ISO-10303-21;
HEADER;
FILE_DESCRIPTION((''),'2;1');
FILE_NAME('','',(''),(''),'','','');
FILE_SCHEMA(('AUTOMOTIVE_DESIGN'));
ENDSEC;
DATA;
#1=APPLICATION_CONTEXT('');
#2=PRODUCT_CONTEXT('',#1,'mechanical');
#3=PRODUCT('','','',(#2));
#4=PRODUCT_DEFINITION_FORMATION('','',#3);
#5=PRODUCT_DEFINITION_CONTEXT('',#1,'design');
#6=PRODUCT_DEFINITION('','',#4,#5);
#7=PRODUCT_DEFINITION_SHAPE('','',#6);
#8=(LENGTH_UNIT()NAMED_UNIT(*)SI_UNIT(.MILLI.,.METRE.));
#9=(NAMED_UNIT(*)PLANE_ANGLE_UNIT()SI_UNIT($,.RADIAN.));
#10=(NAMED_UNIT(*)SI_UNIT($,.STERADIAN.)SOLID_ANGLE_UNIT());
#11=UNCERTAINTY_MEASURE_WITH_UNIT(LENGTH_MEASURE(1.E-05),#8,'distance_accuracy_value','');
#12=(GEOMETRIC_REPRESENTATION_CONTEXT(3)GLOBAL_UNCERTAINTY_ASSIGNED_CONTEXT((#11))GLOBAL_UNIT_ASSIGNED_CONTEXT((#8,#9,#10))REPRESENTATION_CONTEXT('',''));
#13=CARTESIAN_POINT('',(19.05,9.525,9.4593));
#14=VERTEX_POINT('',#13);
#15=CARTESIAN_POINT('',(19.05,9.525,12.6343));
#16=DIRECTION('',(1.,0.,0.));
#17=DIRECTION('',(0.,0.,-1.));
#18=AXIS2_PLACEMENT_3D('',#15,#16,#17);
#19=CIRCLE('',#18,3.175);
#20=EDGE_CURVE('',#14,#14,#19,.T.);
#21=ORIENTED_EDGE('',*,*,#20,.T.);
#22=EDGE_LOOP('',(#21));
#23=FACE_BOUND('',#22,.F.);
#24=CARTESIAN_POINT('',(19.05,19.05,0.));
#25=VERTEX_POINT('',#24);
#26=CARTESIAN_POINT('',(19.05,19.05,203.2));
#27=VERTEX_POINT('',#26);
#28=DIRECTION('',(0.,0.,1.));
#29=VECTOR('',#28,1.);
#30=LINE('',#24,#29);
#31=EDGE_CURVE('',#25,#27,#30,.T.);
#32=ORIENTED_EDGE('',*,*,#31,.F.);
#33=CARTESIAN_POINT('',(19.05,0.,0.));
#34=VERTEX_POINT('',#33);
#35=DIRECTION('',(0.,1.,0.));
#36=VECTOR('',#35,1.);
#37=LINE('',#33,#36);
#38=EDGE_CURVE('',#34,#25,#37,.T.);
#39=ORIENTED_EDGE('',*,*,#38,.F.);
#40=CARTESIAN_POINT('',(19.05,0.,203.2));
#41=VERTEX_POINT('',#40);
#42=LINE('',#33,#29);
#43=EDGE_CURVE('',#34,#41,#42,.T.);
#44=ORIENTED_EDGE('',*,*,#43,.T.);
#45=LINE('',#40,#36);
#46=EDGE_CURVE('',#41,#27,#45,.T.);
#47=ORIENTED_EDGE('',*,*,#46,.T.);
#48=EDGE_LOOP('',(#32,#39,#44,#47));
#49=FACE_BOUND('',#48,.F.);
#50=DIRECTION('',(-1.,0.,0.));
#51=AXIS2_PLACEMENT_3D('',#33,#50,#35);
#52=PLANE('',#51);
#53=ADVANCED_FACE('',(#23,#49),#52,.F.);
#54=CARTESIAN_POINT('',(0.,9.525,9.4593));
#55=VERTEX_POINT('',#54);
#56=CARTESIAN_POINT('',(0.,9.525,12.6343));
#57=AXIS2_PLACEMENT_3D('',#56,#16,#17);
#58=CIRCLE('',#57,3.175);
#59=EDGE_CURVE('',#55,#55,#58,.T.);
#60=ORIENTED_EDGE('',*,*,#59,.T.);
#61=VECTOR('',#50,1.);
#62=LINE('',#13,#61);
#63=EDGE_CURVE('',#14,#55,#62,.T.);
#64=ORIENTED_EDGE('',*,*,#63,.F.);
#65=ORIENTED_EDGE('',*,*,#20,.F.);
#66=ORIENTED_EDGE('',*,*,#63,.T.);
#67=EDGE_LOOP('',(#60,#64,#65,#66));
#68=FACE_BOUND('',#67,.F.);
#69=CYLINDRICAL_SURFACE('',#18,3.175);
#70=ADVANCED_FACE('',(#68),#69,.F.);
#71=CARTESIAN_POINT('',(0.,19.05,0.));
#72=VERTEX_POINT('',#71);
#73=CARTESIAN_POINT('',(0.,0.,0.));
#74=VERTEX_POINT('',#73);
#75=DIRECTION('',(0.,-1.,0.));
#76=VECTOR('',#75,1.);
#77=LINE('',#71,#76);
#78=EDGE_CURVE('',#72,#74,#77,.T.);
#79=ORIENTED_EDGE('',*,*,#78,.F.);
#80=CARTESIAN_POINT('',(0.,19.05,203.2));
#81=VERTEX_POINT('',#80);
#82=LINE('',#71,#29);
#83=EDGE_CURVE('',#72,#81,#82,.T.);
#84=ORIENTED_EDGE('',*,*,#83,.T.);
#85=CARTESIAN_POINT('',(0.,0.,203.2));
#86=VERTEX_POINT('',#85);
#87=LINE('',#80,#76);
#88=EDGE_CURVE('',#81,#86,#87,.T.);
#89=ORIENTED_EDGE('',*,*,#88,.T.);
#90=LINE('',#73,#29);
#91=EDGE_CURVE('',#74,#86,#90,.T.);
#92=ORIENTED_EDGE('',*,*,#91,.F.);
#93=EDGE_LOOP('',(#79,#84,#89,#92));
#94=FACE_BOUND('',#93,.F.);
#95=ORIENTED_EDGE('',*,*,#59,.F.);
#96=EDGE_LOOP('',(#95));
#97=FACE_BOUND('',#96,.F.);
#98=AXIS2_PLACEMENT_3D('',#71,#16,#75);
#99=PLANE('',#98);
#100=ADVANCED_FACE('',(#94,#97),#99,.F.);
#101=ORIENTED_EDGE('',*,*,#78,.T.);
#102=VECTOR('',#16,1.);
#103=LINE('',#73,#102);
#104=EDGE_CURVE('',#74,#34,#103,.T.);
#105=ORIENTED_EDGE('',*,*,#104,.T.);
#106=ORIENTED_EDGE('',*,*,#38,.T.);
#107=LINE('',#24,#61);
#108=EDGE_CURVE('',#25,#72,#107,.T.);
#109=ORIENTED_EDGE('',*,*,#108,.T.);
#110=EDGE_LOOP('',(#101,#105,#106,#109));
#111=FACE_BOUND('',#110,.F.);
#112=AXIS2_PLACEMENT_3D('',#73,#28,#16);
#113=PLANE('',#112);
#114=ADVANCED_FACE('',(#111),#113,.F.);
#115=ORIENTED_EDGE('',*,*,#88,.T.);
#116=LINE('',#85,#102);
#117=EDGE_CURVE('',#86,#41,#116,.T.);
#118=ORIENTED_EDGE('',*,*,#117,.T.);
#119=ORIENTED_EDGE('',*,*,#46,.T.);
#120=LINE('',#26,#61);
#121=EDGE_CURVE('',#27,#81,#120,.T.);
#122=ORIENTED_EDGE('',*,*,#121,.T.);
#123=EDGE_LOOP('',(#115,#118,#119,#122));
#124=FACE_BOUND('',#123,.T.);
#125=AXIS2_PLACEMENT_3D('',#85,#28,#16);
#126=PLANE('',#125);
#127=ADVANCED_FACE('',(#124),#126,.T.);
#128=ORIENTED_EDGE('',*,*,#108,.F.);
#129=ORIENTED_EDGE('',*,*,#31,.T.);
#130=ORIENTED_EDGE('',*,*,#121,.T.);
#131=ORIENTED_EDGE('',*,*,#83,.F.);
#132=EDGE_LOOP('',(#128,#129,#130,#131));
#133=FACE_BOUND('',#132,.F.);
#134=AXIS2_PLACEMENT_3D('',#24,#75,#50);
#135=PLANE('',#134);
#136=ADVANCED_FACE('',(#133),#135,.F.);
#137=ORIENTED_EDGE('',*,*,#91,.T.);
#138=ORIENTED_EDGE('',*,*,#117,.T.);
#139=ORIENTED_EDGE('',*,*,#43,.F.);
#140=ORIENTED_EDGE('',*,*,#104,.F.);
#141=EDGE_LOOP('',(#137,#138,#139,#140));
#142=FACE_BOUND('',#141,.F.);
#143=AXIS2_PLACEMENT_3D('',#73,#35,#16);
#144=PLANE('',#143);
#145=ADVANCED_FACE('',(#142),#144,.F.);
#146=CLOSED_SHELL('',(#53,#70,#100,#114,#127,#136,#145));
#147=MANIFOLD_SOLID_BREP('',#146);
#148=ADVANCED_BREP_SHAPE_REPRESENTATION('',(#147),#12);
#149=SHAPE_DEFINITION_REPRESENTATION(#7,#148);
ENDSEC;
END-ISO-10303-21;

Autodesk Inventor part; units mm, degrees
ref_plane "YZ Plane" through (0, 0, 0) normal (1, 0, 0) x (0, 1, 0)
ref_plane "XZ Plane" through (0, 0, 0) normal (0, 1, 0) x (-1, 0, 0)
ref_plane "XY Plane" through (0, 0, 0) normal (0, 0, 1) x (1, 0, 0)
sketch "Sketch1" plane through (0, 0, 0) normal (0, 0, 1) x (1, 0, 0)
  line L0 (0, 0) -> (19.05, 0)
  line L1 (19.05, 0) -> (19.05, 19.05)
  line L2 (19.05, 19.05) -> (0, 19.05)
  line L3 (0, 19.05) -> (0, 0)
  dimension "d0" = 19.05
  dimension "d1" = 19.05
extrude "Extrusion1" add sketch "Sketch1" along normal blind 203.2
sketch "Sketch2" plane through (19.05, 0, 0) normal (1, 0, 0) x (0, 0, -1)
  line L0 (0, 0) -> (0, 19.05) projected
  line L1 (0, 19.05) -> (-203.2, 19.05) projected
  line L2 (-203.2, 0) -> (-203.2, 19.05) projected
  line L3 (0, 0) -> (-203.2, 0) projected
  line L4 (0, 9.525) -> (-203.2, 9.525) construction
  line L5 (-203.2, 0) -> (-203.2, 19.05) construction
  circle A0 centre (-12.6343, 9.525) radius 3.175
  dimension "d4" = 6.35
extrude "Extrusion2" cut sketch "Sketch2" against normal through all contours A0
properties part number "sidepeices"
